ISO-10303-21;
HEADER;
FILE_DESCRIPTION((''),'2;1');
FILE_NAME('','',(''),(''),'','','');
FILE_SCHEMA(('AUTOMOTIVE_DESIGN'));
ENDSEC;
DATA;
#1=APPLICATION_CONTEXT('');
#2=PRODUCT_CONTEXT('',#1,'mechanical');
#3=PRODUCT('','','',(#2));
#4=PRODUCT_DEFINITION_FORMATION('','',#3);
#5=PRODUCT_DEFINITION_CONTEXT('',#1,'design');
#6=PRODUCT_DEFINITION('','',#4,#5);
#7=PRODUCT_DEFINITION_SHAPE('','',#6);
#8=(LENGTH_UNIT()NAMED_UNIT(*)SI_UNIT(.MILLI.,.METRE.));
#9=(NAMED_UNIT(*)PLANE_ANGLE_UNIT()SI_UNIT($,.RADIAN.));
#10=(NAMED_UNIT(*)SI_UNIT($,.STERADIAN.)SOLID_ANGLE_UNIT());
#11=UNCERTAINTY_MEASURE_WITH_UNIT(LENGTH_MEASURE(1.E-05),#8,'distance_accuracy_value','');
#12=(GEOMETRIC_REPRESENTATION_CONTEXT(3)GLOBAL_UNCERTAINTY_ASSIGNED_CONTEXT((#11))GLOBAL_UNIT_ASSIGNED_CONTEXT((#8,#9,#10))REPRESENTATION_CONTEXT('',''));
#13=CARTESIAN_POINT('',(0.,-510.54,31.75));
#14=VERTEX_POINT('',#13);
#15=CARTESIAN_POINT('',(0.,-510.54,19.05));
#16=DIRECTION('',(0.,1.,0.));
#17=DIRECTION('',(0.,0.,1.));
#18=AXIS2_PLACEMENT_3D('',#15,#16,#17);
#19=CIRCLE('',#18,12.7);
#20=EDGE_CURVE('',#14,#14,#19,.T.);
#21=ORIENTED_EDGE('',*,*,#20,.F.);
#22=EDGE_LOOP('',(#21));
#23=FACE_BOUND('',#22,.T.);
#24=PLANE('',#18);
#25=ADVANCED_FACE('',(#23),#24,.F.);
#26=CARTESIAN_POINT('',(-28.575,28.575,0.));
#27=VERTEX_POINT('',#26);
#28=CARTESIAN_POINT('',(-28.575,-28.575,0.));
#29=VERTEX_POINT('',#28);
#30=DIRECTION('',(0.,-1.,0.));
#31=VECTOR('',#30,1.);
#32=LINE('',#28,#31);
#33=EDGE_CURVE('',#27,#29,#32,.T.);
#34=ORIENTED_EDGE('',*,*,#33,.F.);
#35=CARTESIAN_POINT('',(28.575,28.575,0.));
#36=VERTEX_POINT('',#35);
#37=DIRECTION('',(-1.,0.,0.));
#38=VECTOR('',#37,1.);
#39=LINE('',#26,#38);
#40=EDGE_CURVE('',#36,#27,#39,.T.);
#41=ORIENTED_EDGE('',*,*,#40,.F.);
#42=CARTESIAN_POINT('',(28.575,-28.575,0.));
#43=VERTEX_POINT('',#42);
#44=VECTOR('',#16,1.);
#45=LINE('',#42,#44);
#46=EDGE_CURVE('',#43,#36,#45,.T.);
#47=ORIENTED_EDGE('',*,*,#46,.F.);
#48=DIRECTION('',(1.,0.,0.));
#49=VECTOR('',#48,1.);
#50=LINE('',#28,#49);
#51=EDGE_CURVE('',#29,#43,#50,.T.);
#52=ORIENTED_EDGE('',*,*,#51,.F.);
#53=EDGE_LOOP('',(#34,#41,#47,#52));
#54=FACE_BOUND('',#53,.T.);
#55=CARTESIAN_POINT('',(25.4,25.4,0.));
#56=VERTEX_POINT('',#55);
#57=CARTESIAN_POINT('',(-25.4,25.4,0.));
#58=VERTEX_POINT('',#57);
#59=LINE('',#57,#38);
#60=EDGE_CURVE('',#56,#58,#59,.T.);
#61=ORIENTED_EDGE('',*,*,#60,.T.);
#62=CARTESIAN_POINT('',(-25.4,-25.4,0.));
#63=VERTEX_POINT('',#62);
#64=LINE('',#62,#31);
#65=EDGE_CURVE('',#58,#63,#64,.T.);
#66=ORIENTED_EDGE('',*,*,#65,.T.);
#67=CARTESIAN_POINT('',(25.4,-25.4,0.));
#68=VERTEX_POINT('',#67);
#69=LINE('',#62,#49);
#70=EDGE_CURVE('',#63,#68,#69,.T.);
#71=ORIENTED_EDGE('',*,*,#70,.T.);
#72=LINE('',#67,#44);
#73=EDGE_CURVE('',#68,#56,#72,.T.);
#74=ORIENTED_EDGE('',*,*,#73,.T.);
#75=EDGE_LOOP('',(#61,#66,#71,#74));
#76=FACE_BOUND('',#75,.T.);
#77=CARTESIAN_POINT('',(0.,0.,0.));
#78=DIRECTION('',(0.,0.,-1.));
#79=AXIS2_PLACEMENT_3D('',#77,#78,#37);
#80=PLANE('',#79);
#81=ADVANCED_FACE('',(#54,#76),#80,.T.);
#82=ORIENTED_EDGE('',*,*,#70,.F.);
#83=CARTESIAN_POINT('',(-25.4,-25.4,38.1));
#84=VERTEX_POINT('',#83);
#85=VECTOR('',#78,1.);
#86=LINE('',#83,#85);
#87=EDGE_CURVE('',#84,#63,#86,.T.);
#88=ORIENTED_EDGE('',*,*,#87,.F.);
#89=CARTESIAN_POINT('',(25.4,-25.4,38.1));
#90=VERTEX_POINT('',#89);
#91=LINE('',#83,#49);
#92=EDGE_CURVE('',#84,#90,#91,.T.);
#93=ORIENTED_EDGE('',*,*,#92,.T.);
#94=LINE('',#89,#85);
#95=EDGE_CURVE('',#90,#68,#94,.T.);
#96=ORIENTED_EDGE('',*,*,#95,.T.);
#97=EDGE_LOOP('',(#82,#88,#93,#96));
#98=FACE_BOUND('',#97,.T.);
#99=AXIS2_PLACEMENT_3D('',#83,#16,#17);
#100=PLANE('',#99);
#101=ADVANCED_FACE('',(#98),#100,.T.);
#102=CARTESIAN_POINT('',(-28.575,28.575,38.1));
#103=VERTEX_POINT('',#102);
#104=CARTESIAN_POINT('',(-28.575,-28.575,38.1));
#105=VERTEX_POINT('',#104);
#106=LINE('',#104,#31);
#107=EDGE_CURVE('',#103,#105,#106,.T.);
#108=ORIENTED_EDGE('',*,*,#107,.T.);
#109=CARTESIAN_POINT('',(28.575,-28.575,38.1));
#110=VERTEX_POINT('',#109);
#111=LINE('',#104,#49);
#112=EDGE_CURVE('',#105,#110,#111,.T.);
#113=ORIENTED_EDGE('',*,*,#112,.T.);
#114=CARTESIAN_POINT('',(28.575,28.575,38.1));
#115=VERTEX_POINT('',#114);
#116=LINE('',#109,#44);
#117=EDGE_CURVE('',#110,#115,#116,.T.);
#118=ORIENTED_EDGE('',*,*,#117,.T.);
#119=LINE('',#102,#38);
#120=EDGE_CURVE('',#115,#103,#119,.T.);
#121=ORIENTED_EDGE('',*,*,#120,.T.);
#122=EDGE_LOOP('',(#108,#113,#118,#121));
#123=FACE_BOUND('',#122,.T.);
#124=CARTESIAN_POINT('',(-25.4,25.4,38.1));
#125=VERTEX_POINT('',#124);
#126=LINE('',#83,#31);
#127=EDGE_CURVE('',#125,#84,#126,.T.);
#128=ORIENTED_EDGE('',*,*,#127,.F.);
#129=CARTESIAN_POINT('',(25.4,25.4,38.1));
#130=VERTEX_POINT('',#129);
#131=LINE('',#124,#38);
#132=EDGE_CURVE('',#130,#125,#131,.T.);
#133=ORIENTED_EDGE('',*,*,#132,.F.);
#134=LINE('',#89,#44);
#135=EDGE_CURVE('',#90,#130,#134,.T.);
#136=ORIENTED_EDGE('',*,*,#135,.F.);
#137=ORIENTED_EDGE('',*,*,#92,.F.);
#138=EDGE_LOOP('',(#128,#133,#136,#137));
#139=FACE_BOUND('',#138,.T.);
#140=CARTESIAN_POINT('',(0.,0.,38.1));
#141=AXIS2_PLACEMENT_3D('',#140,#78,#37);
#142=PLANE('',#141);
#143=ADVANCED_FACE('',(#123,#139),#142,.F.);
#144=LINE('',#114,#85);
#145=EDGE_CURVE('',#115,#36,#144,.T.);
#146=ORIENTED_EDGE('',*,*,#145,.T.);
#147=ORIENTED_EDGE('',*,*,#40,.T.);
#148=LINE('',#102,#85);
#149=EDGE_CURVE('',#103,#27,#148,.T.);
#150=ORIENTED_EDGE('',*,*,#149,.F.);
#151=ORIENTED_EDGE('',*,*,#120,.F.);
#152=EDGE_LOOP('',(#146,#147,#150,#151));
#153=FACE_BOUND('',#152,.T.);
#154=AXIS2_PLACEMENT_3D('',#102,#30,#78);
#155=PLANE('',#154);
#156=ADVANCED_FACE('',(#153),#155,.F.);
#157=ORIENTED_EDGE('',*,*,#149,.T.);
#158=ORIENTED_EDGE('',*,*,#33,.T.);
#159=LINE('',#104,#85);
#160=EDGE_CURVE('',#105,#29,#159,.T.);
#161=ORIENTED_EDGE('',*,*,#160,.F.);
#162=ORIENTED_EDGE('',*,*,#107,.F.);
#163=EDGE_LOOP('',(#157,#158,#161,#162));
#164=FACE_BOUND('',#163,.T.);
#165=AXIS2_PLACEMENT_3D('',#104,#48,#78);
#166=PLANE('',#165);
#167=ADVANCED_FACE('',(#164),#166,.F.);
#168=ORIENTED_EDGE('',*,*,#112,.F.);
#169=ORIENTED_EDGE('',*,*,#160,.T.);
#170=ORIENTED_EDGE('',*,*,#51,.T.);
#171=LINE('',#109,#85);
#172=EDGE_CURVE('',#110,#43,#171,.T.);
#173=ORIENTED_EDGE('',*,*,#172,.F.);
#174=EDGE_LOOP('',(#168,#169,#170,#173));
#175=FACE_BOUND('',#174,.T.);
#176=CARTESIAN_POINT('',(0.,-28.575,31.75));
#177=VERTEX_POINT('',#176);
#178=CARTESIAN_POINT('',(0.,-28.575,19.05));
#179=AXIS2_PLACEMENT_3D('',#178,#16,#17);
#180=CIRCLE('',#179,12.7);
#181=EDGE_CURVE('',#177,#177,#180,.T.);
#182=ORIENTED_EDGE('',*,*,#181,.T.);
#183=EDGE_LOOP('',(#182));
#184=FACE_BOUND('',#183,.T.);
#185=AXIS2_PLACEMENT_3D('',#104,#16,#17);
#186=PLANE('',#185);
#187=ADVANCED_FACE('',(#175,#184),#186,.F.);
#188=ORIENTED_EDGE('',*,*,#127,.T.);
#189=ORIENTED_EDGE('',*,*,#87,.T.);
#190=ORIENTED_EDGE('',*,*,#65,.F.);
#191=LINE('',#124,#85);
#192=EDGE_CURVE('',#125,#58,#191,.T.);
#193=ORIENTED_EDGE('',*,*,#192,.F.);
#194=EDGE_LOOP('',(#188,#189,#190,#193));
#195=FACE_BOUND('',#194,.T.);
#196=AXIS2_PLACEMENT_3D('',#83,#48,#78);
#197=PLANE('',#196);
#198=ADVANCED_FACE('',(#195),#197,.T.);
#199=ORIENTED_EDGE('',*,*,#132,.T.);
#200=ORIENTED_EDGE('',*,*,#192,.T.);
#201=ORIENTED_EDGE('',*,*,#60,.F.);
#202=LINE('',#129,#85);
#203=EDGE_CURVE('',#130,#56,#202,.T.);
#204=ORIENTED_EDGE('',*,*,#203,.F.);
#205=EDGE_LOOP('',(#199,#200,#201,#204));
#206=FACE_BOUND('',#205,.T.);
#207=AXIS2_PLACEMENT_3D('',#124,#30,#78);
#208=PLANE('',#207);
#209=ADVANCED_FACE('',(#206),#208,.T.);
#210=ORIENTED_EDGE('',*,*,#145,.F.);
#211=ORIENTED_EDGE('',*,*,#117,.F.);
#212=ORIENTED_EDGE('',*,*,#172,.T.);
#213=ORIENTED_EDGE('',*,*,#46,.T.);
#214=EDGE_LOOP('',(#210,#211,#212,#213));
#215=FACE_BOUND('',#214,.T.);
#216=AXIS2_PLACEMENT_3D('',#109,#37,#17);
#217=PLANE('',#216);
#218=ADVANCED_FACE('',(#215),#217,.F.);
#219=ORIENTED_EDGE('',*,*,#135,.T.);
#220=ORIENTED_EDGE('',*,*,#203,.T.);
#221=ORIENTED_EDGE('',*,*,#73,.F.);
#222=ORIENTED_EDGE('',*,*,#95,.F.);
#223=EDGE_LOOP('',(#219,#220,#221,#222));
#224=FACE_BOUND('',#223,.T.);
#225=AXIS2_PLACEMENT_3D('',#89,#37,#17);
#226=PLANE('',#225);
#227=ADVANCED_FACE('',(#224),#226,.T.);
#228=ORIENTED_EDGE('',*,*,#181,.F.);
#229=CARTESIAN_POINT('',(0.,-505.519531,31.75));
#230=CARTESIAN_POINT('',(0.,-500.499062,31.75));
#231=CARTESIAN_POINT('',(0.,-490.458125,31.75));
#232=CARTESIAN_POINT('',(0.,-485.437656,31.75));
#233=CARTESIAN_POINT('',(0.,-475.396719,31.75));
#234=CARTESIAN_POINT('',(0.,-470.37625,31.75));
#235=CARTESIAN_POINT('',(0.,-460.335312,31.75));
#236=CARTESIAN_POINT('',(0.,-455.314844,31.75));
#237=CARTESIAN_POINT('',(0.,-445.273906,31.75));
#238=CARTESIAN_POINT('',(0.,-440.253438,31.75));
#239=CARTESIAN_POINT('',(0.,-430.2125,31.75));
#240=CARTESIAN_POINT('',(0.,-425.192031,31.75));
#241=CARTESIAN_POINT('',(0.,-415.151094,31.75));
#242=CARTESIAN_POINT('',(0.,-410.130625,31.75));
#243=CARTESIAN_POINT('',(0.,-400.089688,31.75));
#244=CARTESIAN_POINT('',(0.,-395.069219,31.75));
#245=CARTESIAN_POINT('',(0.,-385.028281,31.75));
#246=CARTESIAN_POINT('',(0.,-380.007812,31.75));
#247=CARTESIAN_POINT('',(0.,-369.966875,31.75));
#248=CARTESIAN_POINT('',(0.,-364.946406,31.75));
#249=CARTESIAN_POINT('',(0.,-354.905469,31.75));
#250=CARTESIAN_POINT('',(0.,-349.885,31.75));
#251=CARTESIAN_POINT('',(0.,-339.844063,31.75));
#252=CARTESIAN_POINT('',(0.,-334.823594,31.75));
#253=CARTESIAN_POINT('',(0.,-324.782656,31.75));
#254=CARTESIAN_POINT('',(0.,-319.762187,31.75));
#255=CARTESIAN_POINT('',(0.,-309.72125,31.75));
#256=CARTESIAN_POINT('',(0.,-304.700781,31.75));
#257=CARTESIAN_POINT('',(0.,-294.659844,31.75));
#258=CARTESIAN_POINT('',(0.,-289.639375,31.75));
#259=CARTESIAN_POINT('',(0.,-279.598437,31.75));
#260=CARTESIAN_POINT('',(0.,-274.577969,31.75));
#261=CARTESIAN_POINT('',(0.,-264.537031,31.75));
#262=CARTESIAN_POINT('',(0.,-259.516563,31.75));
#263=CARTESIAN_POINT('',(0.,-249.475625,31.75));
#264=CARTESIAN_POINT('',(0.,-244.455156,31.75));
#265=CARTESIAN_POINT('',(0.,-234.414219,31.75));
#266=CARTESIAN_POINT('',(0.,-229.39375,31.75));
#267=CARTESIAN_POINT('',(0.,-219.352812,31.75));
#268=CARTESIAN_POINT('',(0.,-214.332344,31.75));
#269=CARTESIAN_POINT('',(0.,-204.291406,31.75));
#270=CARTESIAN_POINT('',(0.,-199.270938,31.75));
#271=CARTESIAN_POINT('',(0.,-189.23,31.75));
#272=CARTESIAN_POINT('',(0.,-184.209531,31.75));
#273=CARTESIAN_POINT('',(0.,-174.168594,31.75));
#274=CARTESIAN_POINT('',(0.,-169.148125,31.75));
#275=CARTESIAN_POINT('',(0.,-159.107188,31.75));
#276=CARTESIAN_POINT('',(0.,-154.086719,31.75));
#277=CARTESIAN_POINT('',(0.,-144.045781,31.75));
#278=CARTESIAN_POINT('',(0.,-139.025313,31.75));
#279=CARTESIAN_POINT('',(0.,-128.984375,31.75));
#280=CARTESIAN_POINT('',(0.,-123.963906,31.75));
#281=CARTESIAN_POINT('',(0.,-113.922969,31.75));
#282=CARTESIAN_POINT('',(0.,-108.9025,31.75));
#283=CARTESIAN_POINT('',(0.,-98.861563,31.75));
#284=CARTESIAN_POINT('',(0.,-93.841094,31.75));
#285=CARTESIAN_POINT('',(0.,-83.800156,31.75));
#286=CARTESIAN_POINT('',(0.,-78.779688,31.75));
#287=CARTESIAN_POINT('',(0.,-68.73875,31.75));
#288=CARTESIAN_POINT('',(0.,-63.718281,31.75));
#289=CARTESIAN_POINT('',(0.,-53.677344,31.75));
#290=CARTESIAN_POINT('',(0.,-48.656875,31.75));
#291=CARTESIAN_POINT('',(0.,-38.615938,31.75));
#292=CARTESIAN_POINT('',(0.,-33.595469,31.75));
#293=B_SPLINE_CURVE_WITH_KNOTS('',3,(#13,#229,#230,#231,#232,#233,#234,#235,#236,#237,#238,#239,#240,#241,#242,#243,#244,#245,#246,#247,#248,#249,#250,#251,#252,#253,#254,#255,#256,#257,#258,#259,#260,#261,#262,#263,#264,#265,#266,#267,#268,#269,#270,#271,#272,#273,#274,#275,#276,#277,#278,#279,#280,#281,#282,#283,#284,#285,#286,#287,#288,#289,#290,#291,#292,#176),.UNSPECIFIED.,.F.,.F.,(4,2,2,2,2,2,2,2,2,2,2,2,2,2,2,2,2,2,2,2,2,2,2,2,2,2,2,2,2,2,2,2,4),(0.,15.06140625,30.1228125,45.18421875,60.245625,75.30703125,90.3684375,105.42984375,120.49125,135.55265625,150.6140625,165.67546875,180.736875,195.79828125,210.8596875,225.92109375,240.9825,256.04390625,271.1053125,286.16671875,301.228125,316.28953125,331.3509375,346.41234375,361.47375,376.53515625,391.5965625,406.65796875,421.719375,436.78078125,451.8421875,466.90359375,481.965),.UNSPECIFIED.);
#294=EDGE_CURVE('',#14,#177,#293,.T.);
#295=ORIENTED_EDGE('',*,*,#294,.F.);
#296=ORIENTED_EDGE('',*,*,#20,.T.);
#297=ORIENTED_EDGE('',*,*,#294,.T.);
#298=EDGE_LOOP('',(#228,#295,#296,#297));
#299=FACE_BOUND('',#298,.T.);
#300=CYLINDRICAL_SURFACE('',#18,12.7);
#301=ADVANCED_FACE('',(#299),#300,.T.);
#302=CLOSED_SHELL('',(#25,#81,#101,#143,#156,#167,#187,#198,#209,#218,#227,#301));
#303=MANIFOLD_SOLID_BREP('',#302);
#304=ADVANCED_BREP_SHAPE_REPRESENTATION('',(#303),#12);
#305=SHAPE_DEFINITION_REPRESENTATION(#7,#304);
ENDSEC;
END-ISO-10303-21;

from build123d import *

# Parameters (mm, degrees)
SKETCH1_W           = 57.15
SKETCH1_H           = 57.15
SKETCH1_W_2         = 50.8
SKETCH1_H_2         = 50.8
BOSS_EXTRUDE1_DEPTH = 38.1
SKETCH4_R           = 12.7
BOSS_EXTRUDE2_DEPTH = 482.6


with BuildPart() as part:
    # Sketch1 → Boss-Extrude1 (new body)
    with BuildSketch(Plane.XY):
        Rectangle(SKETCH1_W, SKETCH1_H)
        Rectangle(SKETCH1_W_2, SKETCH1_H_2, mode=Mode.SUBTRACT)
    extrude(amount=BOSS_EXTRUDE1_DEPTH)

    # Sketch4 → Boss-Extrude2 (add)
    with BuildSketch(Plane(origin=(0, -27.94, 0), x_dir=(1, 0, 0), z_dir=(0, 1, 0))):
        with Locations(Location((0, -19.05, 0), (0, 0, 270))):
            Circle(SKETCH4_R)
    extrude(amount=-BOSS_EXTRUDE2_DEPTH)


solid = part.part
